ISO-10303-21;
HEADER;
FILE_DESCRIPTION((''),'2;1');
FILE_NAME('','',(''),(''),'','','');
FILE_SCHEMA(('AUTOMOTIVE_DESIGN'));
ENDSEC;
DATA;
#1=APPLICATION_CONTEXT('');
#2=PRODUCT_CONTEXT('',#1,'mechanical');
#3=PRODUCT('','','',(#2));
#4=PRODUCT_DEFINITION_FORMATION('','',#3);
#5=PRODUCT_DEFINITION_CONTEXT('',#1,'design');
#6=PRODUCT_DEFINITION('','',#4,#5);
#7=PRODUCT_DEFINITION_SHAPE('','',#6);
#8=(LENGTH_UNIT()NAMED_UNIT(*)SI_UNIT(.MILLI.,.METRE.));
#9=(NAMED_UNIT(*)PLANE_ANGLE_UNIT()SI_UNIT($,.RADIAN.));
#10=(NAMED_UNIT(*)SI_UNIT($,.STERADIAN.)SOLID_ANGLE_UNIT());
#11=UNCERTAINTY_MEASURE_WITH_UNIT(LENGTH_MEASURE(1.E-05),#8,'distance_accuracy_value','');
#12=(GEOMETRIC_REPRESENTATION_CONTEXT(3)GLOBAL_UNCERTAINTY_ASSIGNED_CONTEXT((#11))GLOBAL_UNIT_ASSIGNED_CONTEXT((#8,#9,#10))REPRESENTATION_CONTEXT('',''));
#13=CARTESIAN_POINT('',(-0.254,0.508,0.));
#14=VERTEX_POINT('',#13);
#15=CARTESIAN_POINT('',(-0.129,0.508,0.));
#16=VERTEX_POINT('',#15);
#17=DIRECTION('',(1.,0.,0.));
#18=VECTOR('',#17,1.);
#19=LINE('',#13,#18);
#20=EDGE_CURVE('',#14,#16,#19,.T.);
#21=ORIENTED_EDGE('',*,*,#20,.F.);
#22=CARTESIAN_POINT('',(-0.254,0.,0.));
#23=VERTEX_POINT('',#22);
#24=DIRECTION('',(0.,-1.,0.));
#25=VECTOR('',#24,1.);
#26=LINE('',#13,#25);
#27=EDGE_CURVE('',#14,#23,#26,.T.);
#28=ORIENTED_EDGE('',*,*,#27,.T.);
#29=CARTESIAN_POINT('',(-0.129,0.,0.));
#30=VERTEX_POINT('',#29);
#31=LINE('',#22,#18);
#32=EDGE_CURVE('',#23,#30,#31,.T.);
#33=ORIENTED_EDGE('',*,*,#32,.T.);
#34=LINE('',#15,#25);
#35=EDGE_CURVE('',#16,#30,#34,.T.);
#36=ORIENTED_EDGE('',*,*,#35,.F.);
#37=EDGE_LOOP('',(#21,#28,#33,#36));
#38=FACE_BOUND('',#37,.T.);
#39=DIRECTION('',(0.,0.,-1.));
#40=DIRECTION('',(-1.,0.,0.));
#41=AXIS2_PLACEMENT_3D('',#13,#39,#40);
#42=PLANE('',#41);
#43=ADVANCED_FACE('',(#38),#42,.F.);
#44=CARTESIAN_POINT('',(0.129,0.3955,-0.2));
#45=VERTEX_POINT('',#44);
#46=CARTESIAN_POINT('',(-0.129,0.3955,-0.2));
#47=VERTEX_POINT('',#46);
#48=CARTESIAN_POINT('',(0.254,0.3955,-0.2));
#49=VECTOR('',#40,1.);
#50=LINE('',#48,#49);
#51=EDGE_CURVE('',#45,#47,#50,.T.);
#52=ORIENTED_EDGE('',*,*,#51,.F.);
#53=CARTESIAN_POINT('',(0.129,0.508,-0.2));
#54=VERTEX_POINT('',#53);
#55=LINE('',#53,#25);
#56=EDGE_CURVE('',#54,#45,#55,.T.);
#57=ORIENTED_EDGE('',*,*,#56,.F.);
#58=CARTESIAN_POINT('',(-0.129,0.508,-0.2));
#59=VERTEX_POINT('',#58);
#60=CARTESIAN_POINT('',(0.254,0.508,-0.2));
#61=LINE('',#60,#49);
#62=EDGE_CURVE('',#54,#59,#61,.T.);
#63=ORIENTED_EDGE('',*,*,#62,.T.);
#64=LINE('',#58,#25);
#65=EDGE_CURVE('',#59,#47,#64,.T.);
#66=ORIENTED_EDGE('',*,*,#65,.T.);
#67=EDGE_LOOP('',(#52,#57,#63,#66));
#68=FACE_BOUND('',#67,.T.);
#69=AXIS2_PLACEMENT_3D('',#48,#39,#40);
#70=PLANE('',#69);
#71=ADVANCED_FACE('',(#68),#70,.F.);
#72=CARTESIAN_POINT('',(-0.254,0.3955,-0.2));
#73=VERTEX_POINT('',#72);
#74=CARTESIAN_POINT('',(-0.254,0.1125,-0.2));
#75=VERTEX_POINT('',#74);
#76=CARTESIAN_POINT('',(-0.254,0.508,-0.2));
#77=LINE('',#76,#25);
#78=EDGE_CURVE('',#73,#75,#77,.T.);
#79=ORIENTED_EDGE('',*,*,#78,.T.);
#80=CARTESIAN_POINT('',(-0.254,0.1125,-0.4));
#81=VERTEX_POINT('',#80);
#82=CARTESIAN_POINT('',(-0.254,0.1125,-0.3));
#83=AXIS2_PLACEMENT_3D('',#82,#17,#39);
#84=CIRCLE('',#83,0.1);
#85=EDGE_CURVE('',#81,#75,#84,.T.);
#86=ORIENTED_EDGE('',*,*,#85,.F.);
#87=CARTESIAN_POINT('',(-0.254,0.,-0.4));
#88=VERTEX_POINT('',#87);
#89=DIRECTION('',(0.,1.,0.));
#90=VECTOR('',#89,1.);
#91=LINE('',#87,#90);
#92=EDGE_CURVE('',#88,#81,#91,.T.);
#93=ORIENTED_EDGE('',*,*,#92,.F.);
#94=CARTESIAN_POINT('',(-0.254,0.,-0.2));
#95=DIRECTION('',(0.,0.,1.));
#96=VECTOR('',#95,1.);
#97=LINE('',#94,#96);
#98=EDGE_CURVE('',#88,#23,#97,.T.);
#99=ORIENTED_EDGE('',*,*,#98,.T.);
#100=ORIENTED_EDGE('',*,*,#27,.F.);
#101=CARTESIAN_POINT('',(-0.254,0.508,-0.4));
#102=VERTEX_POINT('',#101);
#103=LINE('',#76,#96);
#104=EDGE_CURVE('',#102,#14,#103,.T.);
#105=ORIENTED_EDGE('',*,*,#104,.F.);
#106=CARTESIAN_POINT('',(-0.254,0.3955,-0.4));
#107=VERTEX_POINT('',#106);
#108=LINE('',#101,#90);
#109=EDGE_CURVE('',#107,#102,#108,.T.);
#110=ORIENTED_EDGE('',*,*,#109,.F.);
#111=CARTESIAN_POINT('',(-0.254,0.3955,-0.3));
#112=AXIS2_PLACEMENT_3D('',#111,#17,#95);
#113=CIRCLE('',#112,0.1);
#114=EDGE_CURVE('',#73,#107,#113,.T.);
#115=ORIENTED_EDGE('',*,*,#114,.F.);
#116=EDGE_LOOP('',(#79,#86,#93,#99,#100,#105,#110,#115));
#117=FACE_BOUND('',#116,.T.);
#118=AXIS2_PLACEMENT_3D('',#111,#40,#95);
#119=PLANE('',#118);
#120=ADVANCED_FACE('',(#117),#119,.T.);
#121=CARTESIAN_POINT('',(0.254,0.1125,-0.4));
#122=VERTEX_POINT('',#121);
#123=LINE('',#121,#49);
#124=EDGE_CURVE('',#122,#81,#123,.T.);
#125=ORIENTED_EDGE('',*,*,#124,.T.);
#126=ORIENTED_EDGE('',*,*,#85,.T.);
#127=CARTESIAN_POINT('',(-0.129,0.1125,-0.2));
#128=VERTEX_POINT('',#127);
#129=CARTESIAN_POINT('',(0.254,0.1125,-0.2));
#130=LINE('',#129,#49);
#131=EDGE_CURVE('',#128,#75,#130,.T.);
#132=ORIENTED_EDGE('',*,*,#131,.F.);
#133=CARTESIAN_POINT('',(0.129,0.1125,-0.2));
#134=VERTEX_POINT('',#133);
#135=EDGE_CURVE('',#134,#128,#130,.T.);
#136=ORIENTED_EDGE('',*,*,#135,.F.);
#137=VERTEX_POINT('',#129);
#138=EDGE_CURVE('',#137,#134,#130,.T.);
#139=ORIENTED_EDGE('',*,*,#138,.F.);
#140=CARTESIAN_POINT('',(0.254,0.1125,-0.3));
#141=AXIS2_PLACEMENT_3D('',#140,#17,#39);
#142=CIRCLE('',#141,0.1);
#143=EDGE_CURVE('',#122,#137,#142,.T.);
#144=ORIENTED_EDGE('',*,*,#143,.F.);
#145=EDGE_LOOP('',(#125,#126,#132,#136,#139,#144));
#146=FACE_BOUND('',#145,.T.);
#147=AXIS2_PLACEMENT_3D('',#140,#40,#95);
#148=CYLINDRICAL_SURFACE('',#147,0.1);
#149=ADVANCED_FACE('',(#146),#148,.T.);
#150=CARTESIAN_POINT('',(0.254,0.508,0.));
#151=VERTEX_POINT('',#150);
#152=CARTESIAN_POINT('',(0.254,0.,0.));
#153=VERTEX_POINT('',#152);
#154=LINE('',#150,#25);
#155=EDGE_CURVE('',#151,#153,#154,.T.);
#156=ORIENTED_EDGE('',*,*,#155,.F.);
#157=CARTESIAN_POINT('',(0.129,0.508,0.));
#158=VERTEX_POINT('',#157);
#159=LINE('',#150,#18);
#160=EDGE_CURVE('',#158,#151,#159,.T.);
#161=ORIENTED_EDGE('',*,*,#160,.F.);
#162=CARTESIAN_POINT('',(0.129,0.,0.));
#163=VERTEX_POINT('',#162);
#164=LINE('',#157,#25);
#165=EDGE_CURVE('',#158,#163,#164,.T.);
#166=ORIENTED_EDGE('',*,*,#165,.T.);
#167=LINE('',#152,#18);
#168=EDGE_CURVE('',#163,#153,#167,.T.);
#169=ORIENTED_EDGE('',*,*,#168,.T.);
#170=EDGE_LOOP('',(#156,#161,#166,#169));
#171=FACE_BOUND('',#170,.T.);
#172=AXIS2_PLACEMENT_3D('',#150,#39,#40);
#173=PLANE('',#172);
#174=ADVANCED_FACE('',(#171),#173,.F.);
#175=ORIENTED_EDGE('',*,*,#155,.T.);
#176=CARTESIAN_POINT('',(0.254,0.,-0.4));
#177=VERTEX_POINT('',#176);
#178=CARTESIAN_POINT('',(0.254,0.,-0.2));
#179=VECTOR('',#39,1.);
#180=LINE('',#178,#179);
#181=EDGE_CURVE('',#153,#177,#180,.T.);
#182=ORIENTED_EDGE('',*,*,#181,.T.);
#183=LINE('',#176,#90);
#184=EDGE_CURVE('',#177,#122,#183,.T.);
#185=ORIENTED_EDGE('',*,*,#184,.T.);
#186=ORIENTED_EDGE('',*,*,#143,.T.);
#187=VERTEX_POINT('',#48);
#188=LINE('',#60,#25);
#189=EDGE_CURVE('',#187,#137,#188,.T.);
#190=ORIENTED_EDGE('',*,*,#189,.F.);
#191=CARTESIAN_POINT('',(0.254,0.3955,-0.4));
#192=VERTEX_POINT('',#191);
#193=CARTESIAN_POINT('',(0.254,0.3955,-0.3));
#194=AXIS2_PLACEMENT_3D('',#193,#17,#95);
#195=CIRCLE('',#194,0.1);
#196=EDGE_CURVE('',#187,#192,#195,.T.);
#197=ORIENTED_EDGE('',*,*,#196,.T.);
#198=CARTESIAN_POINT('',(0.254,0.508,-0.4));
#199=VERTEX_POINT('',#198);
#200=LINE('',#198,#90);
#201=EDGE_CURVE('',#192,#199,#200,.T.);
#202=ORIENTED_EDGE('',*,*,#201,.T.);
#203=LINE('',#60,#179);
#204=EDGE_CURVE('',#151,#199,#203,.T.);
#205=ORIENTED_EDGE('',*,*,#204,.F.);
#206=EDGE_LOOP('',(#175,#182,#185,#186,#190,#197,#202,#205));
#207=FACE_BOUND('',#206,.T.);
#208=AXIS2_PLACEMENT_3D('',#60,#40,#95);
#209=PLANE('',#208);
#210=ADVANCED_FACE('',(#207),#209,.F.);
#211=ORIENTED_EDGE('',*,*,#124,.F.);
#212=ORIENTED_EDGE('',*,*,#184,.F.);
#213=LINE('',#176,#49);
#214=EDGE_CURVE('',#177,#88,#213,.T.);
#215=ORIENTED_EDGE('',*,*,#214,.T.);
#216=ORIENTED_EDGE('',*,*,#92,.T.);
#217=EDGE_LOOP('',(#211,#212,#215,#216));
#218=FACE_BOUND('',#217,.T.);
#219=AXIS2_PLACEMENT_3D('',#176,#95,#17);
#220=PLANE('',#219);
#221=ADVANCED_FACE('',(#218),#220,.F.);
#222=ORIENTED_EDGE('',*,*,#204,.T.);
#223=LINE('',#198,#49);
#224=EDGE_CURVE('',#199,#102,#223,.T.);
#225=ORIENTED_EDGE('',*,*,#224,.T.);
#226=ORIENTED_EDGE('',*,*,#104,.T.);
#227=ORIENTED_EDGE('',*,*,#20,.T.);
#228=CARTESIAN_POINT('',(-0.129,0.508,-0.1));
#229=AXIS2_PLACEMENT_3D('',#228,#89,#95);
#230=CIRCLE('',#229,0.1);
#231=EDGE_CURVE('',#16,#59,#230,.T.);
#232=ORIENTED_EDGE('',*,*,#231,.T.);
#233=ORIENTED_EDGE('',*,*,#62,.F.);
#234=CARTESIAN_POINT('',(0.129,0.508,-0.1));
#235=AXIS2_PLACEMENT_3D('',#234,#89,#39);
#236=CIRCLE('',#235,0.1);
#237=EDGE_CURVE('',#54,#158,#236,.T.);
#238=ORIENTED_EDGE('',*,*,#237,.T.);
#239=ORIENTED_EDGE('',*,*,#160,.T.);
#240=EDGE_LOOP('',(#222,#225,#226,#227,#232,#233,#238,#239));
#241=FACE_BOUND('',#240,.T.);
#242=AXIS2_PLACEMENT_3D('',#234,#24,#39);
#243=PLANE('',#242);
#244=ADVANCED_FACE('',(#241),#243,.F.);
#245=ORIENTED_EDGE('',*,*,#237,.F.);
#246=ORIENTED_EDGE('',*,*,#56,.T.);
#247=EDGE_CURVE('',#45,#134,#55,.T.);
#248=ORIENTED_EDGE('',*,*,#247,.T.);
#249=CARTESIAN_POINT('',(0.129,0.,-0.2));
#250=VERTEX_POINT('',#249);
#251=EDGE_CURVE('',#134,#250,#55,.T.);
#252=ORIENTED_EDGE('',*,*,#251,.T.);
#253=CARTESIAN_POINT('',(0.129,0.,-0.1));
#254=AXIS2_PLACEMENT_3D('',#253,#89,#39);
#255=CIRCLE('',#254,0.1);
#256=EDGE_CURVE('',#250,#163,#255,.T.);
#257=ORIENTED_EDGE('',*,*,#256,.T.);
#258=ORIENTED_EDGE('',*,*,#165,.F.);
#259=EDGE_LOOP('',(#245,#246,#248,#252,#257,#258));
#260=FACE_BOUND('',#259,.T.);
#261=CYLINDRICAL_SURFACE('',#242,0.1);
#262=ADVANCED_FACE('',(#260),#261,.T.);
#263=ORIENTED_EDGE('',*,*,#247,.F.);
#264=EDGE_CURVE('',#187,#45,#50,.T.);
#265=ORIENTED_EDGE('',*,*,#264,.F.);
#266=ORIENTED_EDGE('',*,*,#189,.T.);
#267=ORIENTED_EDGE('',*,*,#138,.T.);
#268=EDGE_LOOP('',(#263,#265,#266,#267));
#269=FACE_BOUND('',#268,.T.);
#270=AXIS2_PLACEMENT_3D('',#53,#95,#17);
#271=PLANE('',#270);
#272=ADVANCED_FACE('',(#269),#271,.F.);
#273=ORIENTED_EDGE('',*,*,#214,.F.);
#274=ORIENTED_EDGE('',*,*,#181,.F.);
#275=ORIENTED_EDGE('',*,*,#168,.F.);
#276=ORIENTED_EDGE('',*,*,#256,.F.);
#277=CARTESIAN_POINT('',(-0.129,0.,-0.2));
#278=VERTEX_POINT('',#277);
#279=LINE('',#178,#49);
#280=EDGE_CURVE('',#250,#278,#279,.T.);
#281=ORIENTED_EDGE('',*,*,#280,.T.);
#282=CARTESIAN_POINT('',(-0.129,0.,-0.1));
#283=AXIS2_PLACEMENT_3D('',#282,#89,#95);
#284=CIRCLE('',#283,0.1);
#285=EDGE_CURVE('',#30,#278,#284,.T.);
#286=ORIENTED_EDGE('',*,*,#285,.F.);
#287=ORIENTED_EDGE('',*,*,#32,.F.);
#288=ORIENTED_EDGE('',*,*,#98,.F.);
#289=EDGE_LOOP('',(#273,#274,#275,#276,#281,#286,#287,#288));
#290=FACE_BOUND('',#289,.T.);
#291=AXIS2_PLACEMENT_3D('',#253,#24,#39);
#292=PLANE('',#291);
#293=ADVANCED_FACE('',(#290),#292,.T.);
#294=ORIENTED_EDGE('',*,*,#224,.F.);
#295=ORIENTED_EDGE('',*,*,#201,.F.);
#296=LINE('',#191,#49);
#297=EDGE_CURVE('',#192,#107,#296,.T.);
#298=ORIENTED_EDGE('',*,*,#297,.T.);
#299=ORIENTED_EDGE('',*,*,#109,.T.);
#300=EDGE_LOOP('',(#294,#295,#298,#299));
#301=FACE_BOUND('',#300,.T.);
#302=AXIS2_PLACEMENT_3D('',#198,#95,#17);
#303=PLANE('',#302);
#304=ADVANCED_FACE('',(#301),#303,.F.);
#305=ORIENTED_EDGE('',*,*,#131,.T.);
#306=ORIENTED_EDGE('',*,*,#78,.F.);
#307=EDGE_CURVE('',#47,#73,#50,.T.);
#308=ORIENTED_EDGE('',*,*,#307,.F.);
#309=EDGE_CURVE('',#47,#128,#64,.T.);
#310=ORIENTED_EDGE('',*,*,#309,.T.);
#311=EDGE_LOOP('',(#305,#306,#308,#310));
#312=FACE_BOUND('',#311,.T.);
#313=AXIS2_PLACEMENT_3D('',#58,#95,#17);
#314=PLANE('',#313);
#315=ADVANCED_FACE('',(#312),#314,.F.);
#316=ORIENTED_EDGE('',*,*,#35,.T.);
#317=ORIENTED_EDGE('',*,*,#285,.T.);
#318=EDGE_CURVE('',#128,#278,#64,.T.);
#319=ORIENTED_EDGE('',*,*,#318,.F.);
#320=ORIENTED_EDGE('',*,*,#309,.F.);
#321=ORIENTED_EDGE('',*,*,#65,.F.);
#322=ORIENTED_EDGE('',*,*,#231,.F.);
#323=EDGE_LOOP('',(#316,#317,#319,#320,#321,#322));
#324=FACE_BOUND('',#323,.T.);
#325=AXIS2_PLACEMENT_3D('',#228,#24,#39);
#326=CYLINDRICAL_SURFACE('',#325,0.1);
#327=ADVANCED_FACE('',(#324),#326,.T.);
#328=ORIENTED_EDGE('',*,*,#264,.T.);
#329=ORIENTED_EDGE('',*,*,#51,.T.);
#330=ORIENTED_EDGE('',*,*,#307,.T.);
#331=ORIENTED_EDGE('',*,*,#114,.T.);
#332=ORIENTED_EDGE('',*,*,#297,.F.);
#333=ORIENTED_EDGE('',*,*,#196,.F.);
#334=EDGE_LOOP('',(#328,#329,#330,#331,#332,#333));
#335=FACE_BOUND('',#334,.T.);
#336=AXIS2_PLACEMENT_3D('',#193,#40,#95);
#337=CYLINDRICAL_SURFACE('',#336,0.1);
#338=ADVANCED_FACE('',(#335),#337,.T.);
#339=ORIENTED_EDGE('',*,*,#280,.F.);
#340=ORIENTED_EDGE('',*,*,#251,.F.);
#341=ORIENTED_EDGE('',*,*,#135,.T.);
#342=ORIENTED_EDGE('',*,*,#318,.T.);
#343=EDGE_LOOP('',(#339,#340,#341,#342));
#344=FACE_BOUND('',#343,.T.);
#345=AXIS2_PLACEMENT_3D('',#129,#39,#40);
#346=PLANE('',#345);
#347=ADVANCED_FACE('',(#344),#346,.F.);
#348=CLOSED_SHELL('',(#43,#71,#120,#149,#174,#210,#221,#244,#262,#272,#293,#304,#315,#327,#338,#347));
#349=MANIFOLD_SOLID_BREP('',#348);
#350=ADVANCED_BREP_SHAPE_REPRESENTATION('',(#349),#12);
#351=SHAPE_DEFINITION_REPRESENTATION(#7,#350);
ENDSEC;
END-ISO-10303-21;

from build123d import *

# Parameters (mm, degrees)
DODANIE_WYCI_GNI_CIE1_DEPTH   = 0.508
DODANIE_WYCI_GNI_CIE1_2_DEPTH = 0.508
DODANIE_WYCI_GNI_CIE2_DEPTH   = 0.254


with BuildPart() as part:
    # Szkic1 → Dodanie-wyciągnięcie1 (new body)
    with BuildSketch(Plane(origin=(0, 0, 0), x_dir=(1, 0, 0), z_dir=(0, 1, 0))):
        with BuildLine():
            Line((-0.254, 0), (-0.129, 0))
            ThreePointArc((-0.129, 0), (-0.029, 0.1), (-0.129, 0.2))
            Line((-0.129, 0.2), (-0.254, 0.2))
            Line((-0.254, 0.2), (-0.254, 0))
        make_face()
    extrude(amount=DODANIE_WYCI_GNI_CIE1_DEPTH)



with BuildPart() as body_2:
    # Szkic1 → Dodanie-wyci_gni_cie1 2 (new body)
    with BuildSketch(Plane(origin=(0, 0, 0), x_dir=(1, 0, 0), z_dir=(0, 1, 0))):
        with BuildLine():
            Line((0.129, 0.2), (0.254, 0.2))
            Line((0.254, 0.2), (0.254, 0))
            Line((0.254, 0), (0.129, 0))
            ThreePointArc((0.129, 0), (0.029, 0.1), (0.129, 0.2))
        make_face()
    extrude(amount=DODANIE_WYCI_GNI_CIE1_2_DEPTH)


with BuildPart() as part_1:
    add(part.part)

    add(body_2.part)  # Dodanie-wyciągnięcie2 merges body 2
    # Szkic4 → Dodanie-wyciągnięcie2 (add, symmetric)
    with BuildSketch(Plane(origin=(0, 0, 0), x_dir=(0, 0, -1), z_dir=(1, 0, 0))):
        with BuildLine():
            Line((0.2, 0.508), (0.4, 0.508))
            Line((0.4, 0.508), (0.4, 0.3955))
            ThreePointArc((0.4, 0.3955), (0.3, 0.2955), (0.2, 0.3955))
            Line((0.2, 0.3955), (0.2, 0.508))
        make_face()
        with BuildLine():
            Line((0.2, 0), (0.4, 0))
            Line((0.4, 0), (0.4, 0.1125))
            ThreePointArc((0.4, 0.1125), (0.3, 0.2125), (0.2, 0.1125))
            Line((0.2, 0.1125), (0.2, 0))
        make_face()
    extrude(amount=DODANIE_WYCI_GNI_CIE2_DEPTH, both=True)


solid = part_1.part
